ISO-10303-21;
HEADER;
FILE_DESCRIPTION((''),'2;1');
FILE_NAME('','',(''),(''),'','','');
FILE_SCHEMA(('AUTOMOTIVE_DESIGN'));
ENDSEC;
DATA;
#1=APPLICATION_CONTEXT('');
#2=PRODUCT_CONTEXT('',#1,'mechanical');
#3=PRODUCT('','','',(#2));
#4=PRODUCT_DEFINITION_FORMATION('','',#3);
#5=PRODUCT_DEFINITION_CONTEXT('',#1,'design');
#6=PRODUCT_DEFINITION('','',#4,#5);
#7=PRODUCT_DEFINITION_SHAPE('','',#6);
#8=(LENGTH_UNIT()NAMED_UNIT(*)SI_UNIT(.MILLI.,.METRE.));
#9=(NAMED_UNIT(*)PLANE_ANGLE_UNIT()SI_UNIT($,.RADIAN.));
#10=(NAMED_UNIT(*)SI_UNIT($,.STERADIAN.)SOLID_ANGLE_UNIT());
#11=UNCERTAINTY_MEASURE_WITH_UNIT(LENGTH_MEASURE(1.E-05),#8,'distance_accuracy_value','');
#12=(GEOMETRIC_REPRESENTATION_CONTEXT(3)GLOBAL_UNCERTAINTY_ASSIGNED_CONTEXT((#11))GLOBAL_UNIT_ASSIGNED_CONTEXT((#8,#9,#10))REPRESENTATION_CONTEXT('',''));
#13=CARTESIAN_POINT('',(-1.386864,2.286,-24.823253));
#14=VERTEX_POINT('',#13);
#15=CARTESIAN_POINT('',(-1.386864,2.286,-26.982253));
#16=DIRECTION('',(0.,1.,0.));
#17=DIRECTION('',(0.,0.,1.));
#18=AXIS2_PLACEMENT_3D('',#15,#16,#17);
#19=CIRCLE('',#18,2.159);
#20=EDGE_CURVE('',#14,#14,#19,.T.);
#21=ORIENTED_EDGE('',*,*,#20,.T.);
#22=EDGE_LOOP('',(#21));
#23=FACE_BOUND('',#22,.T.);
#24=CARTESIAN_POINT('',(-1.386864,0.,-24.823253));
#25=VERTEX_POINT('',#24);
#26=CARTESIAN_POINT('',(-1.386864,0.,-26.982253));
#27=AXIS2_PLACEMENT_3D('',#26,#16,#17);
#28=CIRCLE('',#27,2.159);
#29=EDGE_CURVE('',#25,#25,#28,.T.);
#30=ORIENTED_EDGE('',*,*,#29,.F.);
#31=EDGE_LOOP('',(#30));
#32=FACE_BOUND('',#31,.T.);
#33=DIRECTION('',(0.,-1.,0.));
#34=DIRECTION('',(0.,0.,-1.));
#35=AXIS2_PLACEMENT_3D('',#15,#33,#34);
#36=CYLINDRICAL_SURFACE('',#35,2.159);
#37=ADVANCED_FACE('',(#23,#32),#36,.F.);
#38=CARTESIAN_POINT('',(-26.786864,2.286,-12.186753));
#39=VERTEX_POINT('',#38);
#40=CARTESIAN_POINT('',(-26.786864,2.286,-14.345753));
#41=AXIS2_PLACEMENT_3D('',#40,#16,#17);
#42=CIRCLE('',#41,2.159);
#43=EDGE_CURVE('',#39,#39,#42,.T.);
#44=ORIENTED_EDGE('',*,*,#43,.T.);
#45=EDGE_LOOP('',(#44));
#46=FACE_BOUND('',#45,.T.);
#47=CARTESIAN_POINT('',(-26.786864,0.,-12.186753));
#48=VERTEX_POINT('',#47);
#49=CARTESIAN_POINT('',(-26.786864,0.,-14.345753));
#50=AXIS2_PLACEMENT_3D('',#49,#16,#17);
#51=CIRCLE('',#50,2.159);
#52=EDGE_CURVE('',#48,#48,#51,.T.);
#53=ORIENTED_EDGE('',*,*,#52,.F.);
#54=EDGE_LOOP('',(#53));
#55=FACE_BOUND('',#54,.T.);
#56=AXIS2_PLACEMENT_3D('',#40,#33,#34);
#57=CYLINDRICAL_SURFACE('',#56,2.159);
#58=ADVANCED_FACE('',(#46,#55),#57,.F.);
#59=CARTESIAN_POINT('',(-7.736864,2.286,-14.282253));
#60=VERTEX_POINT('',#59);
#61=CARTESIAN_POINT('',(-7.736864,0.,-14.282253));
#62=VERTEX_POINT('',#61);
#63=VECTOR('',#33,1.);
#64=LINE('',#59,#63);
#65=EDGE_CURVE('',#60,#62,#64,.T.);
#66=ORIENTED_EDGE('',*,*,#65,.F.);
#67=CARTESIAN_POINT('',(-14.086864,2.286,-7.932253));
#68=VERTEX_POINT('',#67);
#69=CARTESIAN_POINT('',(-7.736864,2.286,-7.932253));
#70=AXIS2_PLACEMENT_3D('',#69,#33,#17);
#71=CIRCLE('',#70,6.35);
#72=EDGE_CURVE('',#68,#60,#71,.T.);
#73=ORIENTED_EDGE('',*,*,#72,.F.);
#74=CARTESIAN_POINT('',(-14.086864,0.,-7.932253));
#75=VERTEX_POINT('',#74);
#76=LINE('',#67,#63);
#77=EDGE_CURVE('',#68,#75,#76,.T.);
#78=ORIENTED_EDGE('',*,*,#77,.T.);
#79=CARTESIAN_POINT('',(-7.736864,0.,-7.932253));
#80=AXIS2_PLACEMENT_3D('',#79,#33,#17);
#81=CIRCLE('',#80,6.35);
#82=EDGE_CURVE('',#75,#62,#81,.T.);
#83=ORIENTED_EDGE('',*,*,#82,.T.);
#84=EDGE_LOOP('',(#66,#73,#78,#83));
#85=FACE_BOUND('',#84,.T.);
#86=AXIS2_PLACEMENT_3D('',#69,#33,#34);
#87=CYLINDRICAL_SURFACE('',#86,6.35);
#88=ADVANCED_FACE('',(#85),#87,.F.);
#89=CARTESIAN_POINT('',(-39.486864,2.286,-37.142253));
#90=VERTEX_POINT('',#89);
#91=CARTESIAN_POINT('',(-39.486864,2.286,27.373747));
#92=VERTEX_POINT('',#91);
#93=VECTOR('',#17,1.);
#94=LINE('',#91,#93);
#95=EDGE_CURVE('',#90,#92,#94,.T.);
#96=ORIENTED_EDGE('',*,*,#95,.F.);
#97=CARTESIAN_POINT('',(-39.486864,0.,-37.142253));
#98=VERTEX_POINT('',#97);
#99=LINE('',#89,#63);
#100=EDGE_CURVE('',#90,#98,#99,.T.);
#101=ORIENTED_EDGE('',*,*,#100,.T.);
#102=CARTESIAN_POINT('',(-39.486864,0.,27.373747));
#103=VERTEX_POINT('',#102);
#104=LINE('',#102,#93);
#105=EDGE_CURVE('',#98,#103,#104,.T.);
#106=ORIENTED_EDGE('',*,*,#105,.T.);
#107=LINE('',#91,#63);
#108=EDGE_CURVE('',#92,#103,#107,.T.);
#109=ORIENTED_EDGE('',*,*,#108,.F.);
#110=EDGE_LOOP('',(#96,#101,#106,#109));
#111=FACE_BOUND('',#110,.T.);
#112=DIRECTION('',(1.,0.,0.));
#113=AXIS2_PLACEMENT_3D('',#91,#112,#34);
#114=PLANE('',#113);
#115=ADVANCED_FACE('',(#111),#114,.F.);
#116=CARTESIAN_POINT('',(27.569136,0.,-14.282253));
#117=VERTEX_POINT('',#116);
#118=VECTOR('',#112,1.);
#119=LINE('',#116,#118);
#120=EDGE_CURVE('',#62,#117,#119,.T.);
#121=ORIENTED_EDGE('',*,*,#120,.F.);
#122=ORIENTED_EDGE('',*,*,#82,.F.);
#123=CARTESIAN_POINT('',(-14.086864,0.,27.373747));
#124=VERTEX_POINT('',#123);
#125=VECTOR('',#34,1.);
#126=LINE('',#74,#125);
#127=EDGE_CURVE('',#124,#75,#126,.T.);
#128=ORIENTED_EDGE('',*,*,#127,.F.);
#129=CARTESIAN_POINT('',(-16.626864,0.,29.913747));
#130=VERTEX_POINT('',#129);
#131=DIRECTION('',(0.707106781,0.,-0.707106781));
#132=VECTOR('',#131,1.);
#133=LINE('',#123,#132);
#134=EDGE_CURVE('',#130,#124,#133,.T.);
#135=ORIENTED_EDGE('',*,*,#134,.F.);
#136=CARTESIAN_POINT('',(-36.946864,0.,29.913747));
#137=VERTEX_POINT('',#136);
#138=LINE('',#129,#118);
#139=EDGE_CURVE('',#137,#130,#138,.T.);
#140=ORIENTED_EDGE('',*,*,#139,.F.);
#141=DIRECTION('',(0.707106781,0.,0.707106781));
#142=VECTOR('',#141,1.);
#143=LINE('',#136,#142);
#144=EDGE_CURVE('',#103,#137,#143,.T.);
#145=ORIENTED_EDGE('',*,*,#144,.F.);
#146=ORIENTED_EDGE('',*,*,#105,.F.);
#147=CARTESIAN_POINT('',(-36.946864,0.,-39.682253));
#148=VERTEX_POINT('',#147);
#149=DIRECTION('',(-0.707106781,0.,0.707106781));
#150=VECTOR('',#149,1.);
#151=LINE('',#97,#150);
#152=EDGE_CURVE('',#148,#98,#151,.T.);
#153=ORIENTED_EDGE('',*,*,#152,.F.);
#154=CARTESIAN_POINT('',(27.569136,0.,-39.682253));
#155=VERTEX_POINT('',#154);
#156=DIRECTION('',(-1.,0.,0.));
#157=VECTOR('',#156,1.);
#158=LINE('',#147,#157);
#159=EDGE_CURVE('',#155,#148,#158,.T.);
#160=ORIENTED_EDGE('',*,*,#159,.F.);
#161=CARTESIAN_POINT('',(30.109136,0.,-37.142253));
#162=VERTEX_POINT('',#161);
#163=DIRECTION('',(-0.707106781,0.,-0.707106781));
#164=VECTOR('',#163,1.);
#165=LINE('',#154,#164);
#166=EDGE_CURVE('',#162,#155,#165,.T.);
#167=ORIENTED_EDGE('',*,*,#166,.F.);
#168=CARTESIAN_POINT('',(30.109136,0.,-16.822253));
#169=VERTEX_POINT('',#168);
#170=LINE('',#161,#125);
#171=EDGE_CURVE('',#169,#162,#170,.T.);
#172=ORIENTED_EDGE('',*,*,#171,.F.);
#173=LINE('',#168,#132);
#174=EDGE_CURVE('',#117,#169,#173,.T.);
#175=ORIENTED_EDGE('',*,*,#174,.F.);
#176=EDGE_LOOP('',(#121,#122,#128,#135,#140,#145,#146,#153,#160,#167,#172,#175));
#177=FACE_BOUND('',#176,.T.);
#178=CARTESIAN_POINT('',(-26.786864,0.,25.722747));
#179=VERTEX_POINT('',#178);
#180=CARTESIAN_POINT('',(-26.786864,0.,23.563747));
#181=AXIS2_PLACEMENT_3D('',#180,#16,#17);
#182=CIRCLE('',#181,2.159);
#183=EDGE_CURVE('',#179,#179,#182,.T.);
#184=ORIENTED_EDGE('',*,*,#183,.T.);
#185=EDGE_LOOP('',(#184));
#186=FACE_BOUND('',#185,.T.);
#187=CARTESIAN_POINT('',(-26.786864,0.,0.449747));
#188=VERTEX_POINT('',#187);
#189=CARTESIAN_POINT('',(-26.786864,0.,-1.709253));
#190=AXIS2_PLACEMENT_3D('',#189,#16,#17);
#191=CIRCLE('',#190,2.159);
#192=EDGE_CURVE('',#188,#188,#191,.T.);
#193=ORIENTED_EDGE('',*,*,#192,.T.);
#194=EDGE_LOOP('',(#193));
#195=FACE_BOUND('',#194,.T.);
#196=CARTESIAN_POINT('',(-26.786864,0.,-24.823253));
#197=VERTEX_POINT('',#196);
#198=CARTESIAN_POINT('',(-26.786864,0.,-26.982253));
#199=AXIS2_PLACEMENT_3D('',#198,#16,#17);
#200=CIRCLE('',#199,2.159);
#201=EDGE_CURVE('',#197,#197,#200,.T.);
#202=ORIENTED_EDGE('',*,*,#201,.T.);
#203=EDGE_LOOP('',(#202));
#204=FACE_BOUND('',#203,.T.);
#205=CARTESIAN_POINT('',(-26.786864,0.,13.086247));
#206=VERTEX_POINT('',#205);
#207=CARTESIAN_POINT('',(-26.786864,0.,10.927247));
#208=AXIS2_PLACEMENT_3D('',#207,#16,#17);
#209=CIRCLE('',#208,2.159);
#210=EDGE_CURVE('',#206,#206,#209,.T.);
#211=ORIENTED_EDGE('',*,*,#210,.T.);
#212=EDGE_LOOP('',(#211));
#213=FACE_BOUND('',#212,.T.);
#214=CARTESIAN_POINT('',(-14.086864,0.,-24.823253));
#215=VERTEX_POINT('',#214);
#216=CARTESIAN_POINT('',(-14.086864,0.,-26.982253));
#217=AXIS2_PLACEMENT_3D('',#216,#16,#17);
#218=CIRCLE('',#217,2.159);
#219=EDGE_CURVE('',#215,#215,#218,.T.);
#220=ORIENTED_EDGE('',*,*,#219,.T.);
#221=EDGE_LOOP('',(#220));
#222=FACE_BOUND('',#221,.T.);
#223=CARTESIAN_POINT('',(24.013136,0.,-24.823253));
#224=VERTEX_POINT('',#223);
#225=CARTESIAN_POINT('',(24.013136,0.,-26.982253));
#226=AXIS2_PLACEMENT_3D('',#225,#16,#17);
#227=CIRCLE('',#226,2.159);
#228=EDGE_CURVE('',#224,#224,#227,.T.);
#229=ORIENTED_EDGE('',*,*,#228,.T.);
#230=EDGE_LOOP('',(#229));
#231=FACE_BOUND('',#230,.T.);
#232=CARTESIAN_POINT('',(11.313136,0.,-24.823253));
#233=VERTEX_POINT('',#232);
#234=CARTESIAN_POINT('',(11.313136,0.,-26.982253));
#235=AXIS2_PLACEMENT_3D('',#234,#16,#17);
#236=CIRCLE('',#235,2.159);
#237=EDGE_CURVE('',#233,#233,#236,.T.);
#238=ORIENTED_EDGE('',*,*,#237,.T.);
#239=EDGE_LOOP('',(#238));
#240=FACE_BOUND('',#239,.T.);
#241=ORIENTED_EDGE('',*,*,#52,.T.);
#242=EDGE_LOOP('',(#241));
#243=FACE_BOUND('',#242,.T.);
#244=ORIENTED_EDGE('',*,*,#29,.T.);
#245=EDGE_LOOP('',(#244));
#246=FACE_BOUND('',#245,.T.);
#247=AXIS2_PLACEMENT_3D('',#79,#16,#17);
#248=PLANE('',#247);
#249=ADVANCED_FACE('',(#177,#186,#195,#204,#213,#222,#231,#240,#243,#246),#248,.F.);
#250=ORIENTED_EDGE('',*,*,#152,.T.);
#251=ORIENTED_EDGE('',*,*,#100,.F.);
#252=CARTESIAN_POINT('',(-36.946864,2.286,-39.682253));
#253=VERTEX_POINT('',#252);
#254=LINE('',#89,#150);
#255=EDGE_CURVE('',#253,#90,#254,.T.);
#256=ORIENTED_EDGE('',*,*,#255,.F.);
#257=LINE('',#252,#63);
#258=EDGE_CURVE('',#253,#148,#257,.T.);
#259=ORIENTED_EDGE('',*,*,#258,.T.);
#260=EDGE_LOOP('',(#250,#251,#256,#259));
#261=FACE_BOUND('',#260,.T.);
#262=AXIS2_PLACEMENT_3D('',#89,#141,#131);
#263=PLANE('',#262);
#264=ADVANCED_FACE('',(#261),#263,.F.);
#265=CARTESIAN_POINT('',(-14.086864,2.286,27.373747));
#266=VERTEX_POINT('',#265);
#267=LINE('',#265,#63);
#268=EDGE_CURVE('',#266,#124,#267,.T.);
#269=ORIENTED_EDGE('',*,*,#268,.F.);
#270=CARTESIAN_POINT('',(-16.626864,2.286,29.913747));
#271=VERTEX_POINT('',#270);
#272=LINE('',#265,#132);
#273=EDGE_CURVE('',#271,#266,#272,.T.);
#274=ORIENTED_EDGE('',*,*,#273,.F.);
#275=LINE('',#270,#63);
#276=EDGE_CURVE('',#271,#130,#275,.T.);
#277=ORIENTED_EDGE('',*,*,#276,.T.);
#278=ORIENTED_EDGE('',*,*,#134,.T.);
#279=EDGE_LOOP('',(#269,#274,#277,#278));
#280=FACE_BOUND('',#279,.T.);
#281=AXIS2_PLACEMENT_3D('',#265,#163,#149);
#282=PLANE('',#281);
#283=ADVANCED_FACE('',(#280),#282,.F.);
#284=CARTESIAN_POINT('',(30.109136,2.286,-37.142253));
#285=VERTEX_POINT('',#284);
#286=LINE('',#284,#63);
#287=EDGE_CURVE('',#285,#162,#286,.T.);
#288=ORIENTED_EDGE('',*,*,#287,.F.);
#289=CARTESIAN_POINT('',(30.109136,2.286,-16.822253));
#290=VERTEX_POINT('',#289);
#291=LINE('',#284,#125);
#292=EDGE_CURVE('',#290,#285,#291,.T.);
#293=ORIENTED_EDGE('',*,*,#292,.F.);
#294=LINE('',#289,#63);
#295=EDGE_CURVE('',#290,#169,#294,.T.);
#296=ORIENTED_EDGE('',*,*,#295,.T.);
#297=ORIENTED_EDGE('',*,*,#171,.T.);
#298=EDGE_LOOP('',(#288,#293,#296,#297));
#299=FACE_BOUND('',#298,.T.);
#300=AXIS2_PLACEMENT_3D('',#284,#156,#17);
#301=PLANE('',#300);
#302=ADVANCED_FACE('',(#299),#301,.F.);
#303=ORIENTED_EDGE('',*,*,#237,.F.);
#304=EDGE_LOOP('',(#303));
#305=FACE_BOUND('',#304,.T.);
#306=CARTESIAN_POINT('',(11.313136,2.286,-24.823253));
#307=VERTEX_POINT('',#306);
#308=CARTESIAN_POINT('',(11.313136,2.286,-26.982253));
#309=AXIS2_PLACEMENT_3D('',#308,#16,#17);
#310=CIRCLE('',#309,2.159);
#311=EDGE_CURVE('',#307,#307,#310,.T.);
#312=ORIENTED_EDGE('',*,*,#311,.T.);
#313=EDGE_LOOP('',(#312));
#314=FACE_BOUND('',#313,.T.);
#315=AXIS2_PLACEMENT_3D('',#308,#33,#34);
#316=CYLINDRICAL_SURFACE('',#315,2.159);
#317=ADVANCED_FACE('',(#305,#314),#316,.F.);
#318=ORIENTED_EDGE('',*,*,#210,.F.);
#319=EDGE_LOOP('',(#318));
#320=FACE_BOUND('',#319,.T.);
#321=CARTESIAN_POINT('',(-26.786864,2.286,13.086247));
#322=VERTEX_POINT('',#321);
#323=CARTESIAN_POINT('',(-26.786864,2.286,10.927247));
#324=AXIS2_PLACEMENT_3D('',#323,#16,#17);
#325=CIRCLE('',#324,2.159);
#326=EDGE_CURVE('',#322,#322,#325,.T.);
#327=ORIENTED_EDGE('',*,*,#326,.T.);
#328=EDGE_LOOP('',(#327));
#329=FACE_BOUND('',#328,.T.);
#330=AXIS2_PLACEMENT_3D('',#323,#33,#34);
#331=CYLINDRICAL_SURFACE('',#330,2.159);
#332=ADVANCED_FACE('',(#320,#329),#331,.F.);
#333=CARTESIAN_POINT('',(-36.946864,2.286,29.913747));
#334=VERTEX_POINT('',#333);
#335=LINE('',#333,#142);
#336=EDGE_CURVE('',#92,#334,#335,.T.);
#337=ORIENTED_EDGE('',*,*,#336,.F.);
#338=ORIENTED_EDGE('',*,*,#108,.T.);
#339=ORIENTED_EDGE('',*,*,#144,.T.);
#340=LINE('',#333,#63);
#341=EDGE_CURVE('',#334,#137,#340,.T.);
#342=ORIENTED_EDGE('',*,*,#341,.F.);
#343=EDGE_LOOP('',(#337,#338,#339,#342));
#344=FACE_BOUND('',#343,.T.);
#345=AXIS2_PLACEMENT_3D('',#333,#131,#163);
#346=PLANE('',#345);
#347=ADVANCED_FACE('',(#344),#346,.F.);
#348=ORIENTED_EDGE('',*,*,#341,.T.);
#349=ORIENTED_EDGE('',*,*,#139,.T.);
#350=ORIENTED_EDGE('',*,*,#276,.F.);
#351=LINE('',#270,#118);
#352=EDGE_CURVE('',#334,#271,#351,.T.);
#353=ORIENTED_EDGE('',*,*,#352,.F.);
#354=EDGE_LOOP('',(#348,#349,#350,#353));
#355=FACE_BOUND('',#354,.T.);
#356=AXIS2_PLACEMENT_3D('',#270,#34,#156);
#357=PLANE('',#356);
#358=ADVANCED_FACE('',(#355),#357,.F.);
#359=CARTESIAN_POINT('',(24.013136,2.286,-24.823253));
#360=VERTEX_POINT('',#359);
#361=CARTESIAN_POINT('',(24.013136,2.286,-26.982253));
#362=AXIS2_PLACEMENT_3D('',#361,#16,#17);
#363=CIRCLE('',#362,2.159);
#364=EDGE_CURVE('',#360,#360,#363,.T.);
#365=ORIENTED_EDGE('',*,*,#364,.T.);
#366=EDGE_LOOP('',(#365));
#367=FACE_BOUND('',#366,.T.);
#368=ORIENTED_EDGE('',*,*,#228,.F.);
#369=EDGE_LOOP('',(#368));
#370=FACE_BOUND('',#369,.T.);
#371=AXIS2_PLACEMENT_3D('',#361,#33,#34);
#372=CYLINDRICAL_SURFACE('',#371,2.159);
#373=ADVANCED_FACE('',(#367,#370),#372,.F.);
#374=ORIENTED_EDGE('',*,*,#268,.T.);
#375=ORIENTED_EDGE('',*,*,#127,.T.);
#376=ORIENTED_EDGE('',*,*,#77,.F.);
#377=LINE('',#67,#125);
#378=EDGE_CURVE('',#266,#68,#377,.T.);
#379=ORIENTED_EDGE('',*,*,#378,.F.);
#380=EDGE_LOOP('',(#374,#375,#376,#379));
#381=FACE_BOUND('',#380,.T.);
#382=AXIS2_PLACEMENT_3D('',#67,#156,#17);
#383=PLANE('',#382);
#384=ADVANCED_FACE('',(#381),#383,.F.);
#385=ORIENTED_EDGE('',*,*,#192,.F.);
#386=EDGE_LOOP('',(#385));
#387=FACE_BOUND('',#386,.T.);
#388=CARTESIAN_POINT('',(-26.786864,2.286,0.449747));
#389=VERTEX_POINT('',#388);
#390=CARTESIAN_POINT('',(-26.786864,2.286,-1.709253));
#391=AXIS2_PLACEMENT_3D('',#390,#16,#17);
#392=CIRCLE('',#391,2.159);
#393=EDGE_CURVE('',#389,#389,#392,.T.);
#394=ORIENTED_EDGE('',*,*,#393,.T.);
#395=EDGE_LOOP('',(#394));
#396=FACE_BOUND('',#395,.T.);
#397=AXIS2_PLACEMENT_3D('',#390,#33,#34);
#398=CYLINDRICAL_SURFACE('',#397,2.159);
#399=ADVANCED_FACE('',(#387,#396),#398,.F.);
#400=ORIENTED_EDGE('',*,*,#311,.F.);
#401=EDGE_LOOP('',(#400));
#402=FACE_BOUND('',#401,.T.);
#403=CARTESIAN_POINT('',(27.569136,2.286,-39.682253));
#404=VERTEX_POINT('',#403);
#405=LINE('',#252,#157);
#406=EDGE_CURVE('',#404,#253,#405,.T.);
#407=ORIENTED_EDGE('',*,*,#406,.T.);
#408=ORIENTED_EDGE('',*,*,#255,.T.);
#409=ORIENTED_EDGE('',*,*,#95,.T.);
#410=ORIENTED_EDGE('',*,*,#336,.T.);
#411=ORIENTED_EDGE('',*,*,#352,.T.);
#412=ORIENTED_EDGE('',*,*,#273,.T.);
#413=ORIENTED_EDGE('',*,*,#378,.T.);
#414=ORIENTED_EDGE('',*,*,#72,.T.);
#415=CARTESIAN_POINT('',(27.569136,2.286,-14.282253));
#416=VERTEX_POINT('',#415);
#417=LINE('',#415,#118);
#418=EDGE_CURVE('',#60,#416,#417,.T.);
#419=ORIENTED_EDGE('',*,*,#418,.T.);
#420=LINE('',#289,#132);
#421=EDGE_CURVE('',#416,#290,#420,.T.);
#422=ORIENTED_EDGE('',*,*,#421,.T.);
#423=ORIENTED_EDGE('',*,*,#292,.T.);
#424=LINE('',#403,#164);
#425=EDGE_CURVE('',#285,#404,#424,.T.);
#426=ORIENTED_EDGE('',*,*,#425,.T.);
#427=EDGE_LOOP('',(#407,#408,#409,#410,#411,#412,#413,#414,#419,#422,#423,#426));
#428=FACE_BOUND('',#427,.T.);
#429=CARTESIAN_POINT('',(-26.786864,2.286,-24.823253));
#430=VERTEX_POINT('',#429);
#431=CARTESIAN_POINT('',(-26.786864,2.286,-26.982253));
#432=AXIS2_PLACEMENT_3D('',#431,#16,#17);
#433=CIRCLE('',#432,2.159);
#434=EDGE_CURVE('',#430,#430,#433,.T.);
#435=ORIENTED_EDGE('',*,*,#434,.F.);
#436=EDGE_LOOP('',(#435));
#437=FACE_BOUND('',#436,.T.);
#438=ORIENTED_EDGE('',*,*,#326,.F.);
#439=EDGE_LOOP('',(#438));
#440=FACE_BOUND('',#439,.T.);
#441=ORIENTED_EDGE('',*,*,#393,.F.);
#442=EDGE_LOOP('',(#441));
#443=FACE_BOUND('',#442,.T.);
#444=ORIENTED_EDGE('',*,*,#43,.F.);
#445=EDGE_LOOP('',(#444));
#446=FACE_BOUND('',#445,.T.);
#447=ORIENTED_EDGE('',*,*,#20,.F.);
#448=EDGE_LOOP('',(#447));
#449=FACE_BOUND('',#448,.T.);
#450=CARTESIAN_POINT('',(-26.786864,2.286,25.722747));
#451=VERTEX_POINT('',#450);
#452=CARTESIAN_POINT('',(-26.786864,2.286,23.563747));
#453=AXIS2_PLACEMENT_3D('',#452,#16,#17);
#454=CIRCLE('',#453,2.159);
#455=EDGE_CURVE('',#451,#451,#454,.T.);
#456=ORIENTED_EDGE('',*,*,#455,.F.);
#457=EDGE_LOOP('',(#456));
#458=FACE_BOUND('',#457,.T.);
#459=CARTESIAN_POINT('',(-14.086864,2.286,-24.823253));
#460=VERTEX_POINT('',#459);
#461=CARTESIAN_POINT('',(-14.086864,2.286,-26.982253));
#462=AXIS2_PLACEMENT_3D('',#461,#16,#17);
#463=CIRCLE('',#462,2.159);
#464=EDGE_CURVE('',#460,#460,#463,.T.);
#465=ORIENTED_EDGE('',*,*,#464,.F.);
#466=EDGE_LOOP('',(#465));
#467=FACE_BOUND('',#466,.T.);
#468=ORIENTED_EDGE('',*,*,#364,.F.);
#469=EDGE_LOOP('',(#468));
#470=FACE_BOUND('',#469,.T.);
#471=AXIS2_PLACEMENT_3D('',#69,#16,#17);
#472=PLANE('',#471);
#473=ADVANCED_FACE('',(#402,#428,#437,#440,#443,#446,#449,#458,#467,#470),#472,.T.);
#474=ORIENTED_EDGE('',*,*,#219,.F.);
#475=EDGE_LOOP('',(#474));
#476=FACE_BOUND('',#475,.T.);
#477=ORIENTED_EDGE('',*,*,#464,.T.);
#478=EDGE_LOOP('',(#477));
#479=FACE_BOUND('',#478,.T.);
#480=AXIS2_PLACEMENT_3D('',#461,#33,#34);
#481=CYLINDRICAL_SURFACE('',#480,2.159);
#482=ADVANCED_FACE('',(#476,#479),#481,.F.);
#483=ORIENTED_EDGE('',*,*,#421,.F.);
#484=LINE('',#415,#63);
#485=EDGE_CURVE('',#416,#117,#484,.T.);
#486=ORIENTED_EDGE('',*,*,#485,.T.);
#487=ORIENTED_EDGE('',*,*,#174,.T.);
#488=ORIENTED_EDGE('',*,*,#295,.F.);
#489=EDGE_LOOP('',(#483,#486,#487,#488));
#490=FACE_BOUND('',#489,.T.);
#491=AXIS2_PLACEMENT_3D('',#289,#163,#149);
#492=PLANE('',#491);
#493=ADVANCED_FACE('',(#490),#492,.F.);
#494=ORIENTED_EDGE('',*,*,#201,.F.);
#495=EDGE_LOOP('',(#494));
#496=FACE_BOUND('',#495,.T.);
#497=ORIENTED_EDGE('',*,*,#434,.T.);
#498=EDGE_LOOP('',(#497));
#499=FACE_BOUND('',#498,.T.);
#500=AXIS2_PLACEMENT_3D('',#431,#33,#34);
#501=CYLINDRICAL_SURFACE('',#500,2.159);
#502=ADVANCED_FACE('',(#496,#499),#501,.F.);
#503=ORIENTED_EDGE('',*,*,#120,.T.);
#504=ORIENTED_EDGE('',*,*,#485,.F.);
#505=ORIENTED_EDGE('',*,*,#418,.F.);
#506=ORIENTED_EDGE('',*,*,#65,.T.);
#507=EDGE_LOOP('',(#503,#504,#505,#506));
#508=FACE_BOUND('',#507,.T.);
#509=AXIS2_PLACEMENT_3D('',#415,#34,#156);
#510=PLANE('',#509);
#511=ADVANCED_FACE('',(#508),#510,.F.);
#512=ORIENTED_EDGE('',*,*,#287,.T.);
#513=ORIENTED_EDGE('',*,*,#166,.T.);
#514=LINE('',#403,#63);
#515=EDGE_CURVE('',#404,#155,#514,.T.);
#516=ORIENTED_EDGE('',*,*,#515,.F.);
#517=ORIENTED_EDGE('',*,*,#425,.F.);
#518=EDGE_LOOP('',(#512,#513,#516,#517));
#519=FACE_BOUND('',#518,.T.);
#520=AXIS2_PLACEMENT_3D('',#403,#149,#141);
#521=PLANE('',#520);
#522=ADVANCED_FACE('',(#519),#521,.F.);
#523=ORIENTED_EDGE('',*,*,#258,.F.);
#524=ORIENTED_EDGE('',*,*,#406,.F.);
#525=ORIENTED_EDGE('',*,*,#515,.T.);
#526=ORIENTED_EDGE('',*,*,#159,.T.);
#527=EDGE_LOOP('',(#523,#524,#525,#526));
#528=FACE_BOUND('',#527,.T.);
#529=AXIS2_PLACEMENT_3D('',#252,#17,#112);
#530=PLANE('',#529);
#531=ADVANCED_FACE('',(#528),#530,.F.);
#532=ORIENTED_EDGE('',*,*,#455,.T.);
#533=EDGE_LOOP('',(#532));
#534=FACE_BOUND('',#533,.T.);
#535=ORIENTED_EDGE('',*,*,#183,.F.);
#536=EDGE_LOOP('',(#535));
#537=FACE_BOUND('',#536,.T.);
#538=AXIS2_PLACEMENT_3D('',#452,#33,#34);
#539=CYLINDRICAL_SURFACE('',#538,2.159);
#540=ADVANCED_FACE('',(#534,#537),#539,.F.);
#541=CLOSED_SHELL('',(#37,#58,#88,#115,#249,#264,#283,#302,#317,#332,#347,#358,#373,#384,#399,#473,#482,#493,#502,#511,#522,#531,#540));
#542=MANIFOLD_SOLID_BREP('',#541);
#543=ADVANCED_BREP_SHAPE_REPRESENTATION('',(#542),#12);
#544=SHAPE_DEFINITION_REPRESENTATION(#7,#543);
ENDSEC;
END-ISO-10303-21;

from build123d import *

# Parameters (mm, degrees)
SKETCH2_R           = 2.159
BOSS_EXTRUDE2_DEPTH = 2.286


with BuildPart() as part:
    # Sketch2 → Boss-Extrude2 (new body)
    with BuildSketch(Plane(origin=(0, 0, 0), x_dir=(1, 0, 0), z_dir=(0, 1, 0))):
        with BuildLine():
            Line((-39.486864346, -27.37374707), (-39.486864346, 37.14225293))
            Line((-39.486864346, 37.14225293), (-36.946864346, 39.68225293))
            Line((-36.946864346, 39.68225293), (27.569135654, 39.68225293))
            Line((27.569135654, 39.68225293), (30.109135654, 37.14225293))
            Line((30.109135654, 37.14225293), (30.109135654, 16.82225293))
            Line((30.109135654, 16.82225293), (27.569135654, 14.28225293))
            Line((27.569135654, 14.28225293), (-7.736864346, 14.28225293))
            ThreePointArc((-7.736864346, 14.28225293), (-12.226992406, 12.422380991), (-14.086864346, 7.93225293))
            Line((-14.086864346, 7.93225293), (-14.086864346, -27.37374707))
            Line((-14.086864346, -27.37374707), (-16.626864346, -29.91374707))
            Line((-16.626864346, -29.91374707), (-36.946864346, -29.91374707))
            Line((-36.946864346, -29.91374707), (-39.486864346, -27.37374707))
        make_face()
        with Locations((-26.786864346, 26.98225293)):
            Circle(SKETCH2_R, mode=Mode.SUBTRACT)
        with Locations((-14.086864346, 26.98225293)):
            Circle(SKETCH2_R, mode=Mode.SUBTRACT)
        with Locations((-1.386864346, 26.98225293)):
            Circle(SKETCH2_R, mode=Mode.SUBTRACT)
        with Locations((11.313135654, 26.98225293)):
            Circle(SKETCH2_R, mode=Mode.SUBTRACT)
        with Locations((24.013135654, 26.98225293)):
            Circle(SKETCH2_R, mode=Mode.SUBTRACT)
        with Locations((-26.786864346, 14.34575293)):
            Circle(SKETCH2_R, mode=Mode.SUBTRACT)
        with Locations((-26.786864346, 1.70925293)):
            Circle(SKETCH2_R, mode=Mode.SUBTRACT)
        with Locations((-26.786864346, -10.92724707)):
            Circle(SKETCH2_R, mode=Mode.SUBTRACT)
        with Locations((-26.786864346, -23.56374707)):
            Circle(SKETCH2_R, mode=Mode.SUBTRACT)
    extrude(amount=BOSS_EXTRUDE2_DEPTH)


solid = part.part
